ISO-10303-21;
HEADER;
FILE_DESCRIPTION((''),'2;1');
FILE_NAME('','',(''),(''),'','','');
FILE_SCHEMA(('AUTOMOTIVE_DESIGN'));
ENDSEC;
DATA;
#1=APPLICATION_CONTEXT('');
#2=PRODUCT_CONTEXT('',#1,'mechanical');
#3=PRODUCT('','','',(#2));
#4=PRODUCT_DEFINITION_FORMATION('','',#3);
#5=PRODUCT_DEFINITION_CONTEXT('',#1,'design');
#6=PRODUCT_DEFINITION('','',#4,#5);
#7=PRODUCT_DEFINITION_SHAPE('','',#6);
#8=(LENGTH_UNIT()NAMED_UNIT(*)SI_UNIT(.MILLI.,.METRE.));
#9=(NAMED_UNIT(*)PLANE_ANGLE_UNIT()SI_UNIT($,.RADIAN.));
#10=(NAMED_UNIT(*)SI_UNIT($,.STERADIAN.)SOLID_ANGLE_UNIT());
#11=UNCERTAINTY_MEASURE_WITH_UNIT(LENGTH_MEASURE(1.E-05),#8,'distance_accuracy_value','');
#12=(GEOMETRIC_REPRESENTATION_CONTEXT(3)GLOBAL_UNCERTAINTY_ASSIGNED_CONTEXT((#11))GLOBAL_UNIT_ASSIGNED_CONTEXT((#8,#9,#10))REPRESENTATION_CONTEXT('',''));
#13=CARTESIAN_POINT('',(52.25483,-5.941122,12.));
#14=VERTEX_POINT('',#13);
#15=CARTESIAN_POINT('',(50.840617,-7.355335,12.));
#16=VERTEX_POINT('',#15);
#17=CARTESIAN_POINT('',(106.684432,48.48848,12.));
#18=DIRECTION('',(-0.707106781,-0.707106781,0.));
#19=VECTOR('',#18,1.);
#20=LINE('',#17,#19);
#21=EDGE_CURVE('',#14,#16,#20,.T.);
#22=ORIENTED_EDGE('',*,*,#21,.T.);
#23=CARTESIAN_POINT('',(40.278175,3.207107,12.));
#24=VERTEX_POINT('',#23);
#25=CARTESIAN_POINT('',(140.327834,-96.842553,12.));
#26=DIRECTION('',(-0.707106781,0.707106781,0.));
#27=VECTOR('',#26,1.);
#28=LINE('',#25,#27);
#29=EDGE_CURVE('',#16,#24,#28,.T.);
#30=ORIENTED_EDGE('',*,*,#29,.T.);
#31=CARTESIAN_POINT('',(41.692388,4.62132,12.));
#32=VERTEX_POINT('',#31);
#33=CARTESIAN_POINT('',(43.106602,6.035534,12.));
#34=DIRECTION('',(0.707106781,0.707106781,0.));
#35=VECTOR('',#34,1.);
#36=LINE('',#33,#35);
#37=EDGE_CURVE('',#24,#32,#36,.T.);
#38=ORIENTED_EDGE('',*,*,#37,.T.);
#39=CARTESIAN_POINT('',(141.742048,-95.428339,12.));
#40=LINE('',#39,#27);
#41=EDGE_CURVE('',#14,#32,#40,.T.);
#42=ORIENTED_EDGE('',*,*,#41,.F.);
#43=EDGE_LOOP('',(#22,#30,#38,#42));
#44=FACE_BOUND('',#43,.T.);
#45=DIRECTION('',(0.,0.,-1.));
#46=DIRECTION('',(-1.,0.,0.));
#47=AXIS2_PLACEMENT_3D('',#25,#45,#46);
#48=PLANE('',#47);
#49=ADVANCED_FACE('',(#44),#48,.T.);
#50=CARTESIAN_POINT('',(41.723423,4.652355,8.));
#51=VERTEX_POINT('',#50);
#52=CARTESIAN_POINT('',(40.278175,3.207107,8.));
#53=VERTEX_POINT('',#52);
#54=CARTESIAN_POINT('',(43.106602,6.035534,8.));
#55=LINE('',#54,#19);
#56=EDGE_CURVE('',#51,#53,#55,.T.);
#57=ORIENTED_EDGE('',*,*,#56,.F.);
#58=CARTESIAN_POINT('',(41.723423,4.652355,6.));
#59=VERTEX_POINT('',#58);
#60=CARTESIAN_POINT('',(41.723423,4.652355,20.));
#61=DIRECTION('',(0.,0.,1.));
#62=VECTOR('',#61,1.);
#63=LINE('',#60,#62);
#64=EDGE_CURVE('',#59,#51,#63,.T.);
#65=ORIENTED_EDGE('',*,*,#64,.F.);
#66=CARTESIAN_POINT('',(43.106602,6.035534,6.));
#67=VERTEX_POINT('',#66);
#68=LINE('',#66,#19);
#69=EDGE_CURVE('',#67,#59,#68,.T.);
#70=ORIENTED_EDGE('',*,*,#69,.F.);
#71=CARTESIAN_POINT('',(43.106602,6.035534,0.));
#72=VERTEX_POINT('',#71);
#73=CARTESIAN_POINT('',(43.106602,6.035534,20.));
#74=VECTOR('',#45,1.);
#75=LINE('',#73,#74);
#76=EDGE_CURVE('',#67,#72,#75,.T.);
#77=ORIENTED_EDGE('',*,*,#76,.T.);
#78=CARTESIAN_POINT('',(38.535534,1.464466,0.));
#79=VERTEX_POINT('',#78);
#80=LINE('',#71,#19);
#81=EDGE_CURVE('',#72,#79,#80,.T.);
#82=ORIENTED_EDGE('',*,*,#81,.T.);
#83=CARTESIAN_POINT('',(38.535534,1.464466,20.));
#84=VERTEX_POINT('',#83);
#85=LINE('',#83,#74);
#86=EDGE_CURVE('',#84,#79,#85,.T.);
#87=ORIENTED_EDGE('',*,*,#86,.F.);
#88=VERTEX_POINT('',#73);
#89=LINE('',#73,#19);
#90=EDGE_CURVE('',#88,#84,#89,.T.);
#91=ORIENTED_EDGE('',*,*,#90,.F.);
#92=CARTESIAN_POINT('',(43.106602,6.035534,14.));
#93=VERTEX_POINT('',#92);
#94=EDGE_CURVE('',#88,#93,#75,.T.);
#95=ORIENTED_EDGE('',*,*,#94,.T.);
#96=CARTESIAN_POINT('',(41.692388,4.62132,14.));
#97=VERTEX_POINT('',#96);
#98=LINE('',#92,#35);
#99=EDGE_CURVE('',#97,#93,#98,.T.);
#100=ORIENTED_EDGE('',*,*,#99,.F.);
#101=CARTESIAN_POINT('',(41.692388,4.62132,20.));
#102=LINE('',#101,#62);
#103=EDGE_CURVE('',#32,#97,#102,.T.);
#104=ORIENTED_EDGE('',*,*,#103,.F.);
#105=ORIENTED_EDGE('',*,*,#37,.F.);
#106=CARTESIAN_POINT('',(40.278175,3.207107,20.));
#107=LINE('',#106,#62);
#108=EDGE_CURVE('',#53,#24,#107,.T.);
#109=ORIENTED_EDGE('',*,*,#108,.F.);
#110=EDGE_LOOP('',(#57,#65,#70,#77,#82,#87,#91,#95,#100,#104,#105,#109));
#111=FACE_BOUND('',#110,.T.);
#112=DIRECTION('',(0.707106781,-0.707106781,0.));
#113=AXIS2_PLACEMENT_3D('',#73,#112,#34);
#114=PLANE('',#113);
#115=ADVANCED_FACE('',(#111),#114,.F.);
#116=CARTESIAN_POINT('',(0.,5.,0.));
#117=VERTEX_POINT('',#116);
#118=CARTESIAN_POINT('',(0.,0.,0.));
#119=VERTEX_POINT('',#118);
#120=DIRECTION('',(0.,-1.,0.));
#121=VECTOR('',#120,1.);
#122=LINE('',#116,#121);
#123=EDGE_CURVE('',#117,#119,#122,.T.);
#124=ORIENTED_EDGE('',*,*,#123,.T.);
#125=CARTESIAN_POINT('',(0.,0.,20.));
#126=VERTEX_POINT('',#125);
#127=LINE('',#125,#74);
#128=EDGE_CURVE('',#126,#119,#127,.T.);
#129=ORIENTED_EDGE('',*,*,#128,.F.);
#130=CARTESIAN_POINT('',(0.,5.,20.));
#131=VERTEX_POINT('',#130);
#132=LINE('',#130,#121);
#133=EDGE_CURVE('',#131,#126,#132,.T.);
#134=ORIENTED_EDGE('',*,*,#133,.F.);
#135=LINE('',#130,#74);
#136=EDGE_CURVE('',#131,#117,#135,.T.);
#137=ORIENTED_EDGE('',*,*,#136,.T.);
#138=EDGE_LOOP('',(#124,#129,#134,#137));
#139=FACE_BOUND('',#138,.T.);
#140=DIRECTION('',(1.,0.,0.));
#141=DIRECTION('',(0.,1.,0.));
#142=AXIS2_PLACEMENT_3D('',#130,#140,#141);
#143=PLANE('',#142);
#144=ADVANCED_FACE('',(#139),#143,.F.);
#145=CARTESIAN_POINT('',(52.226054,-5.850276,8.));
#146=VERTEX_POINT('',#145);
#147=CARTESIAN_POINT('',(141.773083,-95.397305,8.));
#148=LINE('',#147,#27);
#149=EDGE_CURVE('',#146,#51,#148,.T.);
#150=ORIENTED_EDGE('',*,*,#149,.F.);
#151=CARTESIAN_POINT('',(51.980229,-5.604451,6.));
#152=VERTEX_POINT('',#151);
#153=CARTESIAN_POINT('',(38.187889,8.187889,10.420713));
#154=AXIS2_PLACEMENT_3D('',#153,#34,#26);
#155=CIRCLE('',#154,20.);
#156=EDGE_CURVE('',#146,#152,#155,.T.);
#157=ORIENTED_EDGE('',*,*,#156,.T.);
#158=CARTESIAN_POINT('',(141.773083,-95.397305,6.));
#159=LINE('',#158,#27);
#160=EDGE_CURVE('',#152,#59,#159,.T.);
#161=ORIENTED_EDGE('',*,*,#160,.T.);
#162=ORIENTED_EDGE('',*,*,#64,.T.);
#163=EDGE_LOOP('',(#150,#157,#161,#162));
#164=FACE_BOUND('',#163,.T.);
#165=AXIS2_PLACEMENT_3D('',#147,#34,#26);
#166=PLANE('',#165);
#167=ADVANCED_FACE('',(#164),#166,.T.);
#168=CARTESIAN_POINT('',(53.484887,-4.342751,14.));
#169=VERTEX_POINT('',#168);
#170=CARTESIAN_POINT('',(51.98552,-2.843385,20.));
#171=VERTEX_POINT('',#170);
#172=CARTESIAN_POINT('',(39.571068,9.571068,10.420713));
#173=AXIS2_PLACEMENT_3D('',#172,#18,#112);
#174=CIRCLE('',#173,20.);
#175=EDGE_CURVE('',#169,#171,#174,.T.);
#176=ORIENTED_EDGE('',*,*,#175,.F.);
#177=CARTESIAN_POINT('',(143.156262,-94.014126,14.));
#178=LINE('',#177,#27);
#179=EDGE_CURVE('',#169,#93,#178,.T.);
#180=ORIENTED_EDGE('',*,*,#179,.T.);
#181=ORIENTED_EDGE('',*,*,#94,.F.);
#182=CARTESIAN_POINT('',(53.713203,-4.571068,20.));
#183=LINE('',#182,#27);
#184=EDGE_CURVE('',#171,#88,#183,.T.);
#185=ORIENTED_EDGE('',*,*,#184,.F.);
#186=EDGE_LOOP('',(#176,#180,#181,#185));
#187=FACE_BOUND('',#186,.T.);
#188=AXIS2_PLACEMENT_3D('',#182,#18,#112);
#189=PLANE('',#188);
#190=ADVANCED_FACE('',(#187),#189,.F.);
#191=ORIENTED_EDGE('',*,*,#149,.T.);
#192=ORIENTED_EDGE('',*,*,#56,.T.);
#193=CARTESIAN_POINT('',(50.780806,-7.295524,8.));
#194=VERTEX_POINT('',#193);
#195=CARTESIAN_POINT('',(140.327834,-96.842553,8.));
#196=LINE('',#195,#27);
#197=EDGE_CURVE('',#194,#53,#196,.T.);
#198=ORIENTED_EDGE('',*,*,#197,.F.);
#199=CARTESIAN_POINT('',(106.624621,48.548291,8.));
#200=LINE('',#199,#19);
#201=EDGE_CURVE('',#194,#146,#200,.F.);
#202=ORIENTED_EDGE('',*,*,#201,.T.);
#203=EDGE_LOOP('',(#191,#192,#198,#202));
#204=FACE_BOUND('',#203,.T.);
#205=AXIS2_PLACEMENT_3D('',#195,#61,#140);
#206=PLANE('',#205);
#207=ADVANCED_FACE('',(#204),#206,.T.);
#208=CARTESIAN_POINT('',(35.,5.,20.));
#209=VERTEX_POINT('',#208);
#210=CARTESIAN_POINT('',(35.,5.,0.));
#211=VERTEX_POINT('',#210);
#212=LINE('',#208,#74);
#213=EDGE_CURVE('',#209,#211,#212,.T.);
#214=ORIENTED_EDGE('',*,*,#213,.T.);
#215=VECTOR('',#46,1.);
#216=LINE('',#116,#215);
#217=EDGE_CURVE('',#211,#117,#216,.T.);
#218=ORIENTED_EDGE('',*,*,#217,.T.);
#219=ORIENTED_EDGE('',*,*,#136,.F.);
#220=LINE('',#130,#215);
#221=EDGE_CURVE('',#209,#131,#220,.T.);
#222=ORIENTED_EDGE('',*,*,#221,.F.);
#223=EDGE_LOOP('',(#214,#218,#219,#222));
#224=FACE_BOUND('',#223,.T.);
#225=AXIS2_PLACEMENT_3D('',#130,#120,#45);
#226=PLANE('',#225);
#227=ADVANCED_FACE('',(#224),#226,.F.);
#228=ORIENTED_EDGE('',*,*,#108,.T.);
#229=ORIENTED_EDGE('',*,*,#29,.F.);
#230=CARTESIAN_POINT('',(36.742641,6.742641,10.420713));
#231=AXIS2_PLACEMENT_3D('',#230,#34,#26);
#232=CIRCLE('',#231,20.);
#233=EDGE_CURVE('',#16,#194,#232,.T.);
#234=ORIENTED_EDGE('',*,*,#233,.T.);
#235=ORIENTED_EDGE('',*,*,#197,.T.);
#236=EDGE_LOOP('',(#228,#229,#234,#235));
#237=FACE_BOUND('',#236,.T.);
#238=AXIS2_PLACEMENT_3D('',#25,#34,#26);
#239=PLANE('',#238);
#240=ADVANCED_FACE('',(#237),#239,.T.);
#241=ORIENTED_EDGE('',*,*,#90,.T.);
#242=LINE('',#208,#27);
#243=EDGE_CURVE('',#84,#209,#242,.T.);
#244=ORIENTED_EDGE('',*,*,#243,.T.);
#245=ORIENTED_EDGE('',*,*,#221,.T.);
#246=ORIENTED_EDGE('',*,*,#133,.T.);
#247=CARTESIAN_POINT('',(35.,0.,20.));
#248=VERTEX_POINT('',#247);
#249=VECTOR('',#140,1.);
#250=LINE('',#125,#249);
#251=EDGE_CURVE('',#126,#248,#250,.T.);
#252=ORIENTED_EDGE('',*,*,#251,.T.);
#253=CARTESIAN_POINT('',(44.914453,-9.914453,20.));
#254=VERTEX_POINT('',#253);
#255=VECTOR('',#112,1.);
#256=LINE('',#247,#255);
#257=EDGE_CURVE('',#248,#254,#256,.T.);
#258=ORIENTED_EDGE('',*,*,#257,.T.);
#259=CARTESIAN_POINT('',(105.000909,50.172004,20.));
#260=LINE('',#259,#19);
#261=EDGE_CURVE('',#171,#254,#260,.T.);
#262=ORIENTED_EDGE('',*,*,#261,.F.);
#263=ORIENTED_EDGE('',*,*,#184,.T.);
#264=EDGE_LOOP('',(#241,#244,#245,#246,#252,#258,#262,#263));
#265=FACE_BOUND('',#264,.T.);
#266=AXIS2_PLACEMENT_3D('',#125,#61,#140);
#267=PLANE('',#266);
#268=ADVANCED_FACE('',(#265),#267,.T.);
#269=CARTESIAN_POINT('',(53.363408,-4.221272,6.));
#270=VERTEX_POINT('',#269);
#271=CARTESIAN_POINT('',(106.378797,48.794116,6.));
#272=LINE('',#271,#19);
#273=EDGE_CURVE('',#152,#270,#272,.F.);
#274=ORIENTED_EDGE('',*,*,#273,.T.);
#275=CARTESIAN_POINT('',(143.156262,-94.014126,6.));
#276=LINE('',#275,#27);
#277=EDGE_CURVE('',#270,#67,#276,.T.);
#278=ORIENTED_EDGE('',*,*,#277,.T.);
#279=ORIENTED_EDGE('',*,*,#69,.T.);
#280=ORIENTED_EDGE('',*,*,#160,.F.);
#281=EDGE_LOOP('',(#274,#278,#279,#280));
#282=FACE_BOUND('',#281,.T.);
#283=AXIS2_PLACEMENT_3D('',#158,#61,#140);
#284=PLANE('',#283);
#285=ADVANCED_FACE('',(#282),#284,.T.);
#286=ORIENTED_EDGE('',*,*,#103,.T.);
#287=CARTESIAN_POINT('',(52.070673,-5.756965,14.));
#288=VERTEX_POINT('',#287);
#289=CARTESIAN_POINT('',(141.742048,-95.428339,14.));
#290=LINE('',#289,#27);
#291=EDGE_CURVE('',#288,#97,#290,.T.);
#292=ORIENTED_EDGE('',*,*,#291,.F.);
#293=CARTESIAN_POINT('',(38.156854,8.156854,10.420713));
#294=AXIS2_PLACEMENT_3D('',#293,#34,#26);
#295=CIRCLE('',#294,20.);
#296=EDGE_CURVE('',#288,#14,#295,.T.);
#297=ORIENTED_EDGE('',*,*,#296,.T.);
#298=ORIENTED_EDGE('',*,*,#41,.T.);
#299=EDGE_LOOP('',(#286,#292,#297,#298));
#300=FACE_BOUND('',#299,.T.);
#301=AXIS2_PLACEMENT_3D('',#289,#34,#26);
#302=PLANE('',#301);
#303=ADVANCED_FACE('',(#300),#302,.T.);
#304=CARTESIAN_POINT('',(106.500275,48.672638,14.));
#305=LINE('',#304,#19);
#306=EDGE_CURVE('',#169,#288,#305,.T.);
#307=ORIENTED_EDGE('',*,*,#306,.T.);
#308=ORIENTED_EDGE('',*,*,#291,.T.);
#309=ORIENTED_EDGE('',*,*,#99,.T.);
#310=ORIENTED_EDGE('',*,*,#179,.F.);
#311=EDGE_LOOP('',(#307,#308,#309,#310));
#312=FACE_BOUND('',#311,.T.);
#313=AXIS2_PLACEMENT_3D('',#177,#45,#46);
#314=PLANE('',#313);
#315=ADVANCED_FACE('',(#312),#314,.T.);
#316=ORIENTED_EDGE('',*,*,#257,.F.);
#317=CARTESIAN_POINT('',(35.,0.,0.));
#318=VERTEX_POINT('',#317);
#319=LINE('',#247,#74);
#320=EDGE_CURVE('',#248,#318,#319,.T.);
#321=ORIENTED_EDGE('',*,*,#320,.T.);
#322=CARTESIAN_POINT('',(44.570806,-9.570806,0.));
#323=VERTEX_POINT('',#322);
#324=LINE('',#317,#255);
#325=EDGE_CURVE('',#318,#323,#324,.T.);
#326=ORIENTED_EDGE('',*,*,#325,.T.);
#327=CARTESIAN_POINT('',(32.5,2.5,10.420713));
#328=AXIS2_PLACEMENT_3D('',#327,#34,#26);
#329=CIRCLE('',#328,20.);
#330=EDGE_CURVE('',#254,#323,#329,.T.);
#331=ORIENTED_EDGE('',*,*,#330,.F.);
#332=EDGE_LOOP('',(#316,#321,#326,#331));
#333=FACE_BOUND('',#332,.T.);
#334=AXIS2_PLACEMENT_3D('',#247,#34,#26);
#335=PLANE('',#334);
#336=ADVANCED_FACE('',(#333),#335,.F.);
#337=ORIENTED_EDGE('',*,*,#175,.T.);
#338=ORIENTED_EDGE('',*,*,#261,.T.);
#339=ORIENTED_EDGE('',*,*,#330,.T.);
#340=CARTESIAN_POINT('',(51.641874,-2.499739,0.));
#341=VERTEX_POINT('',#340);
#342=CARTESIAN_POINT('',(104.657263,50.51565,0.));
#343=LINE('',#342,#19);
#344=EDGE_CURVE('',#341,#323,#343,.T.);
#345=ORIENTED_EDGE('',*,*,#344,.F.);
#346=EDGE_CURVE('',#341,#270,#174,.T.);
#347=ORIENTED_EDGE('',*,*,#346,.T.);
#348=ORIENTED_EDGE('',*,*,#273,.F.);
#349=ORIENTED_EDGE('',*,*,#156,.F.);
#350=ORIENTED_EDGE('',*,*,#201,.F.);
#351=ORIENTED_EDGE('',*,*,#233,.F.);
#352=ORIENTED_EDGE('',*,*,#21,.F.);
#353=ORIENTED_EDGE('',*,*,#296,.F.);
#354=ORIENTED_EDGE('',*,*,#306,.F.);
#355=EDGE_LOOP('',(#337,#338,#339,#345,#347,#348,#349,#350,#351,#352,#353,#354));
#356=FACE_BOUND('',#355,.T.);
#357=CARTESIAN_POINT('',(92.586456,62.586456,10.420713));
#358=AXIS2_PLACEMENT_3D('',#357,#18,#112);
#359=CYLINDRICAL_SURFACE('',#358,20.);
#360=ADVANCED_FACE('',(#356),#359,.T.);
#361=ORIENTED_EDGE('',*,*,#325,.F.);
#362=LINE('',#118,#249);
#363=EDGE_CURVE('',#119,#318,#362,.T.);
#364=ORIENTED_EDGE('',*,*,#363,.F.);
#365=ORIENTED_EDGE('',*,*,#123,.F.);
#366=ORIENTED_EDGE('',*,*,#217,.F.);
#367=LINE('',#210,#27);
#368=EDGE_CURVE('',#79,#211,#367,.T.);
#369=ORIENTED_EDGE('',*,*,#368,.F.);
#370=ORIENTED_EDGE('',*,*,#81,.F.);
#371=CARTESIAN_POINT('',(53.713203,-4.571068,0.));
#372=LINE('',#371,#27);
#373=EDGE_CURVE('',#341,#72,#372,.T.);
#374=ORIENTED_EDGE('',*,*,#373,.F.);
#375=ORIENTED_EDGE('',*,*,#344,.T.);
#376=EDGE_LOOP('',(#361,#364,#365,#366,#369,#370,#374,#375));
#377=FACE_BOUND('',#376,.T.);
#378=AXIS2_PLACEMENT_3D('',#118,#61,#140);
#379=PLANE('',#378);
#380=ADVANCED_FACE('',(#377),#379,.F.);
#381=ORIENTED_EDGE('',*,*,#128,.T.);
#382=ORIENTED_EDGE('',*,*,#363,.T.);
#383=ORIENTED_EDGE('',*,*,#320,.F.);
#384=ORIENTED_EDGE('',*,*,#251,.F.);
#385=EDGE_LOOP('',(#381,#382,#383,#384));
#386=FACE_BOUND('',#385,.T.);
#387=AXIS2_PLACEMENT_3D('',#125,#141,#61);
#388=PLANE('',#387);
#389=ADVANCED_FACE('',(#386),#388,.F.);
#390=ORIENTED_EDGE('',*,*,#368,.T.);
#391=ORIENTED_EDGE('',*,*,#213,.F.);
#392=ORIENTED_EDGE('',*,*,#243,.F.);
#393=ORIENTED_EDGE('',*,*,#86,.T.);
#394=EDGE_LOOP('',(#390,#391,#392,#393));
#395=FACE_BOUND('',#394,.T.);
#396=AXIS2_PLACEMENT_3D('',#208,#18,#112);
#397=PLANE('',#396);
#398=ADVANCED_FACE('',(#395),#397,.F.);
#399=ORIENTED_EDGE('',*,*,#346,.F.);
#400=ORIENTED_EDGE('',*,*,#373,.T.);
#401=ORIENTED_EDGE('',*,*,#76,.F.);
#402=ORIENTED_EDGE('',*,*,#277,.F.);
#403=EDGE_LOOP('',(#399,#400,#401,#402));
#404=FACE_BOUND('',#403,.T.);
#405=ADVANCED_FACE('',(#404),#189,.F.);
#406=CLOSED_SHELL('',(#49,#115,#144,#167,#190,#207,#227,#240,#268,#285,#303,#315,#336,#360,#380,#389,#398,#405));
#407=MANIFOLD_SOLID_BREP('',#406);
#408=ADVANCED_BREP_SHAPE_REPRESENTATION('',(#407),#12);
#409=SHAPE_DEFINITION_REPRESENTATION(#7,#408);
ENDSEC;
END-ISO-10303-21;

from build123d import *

# Parameters (mm, degrees)
BOSS_EXTRUDE1_DEPTH     = 20
CUT_EXTRUDE3_DEPTH      = 50.867148527
CUT_EXTRUDE3_DEPTH_BACK = 50.867148527
CUT_EXTRUDE4_DEPTH      = 51.602966037
CUT_EXTRUDE4_DEPTH_BACK = 51.602966037


with BuildPart() as part:
    # Sketch1 → Boss-Extrude1 (new body)
    with BuildSketch(Plane.XY):
        Polygon((0, 0), (35, 0), (46.642135624, -11.642135624), (53.713203436, -4.571067812), (43.106601718, 6.035533906), (38.535533906, 1.464466094), (35, 5), (0, 5), align=None)
    extrude(amount=BOSS_EXTRUDE1_DEPTH)

    # Sketch2 → Cut-Extrude3 (cut, two sides: drawn at the far end of the back side and taken through both)
    with BuildSketch(Plane(origin=(29.142135624, -29.142135624, 0), x_dir=(0, 0, -1), z_dir=(0.7071067811865479, -0.7071067811865471, 0)).offset(-CUT_EXTRUDE3_DEPTH_BACK)):
        Polygon((-14, 135.155901118), (-14, 34.748737342), (-14, 32.748737342), (-12, 32.748737342), (-12, 30.748737342), (-8, 30.748737342), (-8, 32.792627222), (-6, 32.792627222), (-6, 34.748737342), (-6, 135.155901118), (-6, 335.970228672), (-14, 335.970228672), align=None)
    extrude(amount=CUT_EXTRUDE3_DEPTH + CUT_EXTRUDE3_DEPTH_BACK, mode=Mode.SUBTRACT)

    # Sketch4 → Cut-Extrude4 (cut, two sides: drawn at the far end of the back side and taken through both)
    with BuildSketch(Plane(origin=(24.571067812, 24.571067812, 0), x_dir=(0, 0, -1), z_dir=(0.7071067811865477, 0.7071067811865475, 0)).offset(-CUT_EXTRUDE4_DEPTH_BACK)):
        with BuildLine():
            Line((89.549076457, 16.380836563), (0, -38.283901601))
            ThreePointArc((0, -38.283901601), (-9.934867623, -41.207301416), (-20, -38.769890621))
            Line((-20, -38.769890621), (-112.098466498, 11.480911975))
            Line((-112.098466498, 11.480911975), (-107.001191072, -198.288248186))
            Line((-107.001191072, -198.288248186), (94.646351884, -193.388323598))
            Line((94.646351884, -193.388323598), (89.549076457, 16.380836563))
        make_face()
    extrude(amount=CUT_EXTRUDE4_DEPTH + CUT_EXTRUDE4_DEPTH_BACK, mode=Mode.SUBTRACT)


solid = part.part
